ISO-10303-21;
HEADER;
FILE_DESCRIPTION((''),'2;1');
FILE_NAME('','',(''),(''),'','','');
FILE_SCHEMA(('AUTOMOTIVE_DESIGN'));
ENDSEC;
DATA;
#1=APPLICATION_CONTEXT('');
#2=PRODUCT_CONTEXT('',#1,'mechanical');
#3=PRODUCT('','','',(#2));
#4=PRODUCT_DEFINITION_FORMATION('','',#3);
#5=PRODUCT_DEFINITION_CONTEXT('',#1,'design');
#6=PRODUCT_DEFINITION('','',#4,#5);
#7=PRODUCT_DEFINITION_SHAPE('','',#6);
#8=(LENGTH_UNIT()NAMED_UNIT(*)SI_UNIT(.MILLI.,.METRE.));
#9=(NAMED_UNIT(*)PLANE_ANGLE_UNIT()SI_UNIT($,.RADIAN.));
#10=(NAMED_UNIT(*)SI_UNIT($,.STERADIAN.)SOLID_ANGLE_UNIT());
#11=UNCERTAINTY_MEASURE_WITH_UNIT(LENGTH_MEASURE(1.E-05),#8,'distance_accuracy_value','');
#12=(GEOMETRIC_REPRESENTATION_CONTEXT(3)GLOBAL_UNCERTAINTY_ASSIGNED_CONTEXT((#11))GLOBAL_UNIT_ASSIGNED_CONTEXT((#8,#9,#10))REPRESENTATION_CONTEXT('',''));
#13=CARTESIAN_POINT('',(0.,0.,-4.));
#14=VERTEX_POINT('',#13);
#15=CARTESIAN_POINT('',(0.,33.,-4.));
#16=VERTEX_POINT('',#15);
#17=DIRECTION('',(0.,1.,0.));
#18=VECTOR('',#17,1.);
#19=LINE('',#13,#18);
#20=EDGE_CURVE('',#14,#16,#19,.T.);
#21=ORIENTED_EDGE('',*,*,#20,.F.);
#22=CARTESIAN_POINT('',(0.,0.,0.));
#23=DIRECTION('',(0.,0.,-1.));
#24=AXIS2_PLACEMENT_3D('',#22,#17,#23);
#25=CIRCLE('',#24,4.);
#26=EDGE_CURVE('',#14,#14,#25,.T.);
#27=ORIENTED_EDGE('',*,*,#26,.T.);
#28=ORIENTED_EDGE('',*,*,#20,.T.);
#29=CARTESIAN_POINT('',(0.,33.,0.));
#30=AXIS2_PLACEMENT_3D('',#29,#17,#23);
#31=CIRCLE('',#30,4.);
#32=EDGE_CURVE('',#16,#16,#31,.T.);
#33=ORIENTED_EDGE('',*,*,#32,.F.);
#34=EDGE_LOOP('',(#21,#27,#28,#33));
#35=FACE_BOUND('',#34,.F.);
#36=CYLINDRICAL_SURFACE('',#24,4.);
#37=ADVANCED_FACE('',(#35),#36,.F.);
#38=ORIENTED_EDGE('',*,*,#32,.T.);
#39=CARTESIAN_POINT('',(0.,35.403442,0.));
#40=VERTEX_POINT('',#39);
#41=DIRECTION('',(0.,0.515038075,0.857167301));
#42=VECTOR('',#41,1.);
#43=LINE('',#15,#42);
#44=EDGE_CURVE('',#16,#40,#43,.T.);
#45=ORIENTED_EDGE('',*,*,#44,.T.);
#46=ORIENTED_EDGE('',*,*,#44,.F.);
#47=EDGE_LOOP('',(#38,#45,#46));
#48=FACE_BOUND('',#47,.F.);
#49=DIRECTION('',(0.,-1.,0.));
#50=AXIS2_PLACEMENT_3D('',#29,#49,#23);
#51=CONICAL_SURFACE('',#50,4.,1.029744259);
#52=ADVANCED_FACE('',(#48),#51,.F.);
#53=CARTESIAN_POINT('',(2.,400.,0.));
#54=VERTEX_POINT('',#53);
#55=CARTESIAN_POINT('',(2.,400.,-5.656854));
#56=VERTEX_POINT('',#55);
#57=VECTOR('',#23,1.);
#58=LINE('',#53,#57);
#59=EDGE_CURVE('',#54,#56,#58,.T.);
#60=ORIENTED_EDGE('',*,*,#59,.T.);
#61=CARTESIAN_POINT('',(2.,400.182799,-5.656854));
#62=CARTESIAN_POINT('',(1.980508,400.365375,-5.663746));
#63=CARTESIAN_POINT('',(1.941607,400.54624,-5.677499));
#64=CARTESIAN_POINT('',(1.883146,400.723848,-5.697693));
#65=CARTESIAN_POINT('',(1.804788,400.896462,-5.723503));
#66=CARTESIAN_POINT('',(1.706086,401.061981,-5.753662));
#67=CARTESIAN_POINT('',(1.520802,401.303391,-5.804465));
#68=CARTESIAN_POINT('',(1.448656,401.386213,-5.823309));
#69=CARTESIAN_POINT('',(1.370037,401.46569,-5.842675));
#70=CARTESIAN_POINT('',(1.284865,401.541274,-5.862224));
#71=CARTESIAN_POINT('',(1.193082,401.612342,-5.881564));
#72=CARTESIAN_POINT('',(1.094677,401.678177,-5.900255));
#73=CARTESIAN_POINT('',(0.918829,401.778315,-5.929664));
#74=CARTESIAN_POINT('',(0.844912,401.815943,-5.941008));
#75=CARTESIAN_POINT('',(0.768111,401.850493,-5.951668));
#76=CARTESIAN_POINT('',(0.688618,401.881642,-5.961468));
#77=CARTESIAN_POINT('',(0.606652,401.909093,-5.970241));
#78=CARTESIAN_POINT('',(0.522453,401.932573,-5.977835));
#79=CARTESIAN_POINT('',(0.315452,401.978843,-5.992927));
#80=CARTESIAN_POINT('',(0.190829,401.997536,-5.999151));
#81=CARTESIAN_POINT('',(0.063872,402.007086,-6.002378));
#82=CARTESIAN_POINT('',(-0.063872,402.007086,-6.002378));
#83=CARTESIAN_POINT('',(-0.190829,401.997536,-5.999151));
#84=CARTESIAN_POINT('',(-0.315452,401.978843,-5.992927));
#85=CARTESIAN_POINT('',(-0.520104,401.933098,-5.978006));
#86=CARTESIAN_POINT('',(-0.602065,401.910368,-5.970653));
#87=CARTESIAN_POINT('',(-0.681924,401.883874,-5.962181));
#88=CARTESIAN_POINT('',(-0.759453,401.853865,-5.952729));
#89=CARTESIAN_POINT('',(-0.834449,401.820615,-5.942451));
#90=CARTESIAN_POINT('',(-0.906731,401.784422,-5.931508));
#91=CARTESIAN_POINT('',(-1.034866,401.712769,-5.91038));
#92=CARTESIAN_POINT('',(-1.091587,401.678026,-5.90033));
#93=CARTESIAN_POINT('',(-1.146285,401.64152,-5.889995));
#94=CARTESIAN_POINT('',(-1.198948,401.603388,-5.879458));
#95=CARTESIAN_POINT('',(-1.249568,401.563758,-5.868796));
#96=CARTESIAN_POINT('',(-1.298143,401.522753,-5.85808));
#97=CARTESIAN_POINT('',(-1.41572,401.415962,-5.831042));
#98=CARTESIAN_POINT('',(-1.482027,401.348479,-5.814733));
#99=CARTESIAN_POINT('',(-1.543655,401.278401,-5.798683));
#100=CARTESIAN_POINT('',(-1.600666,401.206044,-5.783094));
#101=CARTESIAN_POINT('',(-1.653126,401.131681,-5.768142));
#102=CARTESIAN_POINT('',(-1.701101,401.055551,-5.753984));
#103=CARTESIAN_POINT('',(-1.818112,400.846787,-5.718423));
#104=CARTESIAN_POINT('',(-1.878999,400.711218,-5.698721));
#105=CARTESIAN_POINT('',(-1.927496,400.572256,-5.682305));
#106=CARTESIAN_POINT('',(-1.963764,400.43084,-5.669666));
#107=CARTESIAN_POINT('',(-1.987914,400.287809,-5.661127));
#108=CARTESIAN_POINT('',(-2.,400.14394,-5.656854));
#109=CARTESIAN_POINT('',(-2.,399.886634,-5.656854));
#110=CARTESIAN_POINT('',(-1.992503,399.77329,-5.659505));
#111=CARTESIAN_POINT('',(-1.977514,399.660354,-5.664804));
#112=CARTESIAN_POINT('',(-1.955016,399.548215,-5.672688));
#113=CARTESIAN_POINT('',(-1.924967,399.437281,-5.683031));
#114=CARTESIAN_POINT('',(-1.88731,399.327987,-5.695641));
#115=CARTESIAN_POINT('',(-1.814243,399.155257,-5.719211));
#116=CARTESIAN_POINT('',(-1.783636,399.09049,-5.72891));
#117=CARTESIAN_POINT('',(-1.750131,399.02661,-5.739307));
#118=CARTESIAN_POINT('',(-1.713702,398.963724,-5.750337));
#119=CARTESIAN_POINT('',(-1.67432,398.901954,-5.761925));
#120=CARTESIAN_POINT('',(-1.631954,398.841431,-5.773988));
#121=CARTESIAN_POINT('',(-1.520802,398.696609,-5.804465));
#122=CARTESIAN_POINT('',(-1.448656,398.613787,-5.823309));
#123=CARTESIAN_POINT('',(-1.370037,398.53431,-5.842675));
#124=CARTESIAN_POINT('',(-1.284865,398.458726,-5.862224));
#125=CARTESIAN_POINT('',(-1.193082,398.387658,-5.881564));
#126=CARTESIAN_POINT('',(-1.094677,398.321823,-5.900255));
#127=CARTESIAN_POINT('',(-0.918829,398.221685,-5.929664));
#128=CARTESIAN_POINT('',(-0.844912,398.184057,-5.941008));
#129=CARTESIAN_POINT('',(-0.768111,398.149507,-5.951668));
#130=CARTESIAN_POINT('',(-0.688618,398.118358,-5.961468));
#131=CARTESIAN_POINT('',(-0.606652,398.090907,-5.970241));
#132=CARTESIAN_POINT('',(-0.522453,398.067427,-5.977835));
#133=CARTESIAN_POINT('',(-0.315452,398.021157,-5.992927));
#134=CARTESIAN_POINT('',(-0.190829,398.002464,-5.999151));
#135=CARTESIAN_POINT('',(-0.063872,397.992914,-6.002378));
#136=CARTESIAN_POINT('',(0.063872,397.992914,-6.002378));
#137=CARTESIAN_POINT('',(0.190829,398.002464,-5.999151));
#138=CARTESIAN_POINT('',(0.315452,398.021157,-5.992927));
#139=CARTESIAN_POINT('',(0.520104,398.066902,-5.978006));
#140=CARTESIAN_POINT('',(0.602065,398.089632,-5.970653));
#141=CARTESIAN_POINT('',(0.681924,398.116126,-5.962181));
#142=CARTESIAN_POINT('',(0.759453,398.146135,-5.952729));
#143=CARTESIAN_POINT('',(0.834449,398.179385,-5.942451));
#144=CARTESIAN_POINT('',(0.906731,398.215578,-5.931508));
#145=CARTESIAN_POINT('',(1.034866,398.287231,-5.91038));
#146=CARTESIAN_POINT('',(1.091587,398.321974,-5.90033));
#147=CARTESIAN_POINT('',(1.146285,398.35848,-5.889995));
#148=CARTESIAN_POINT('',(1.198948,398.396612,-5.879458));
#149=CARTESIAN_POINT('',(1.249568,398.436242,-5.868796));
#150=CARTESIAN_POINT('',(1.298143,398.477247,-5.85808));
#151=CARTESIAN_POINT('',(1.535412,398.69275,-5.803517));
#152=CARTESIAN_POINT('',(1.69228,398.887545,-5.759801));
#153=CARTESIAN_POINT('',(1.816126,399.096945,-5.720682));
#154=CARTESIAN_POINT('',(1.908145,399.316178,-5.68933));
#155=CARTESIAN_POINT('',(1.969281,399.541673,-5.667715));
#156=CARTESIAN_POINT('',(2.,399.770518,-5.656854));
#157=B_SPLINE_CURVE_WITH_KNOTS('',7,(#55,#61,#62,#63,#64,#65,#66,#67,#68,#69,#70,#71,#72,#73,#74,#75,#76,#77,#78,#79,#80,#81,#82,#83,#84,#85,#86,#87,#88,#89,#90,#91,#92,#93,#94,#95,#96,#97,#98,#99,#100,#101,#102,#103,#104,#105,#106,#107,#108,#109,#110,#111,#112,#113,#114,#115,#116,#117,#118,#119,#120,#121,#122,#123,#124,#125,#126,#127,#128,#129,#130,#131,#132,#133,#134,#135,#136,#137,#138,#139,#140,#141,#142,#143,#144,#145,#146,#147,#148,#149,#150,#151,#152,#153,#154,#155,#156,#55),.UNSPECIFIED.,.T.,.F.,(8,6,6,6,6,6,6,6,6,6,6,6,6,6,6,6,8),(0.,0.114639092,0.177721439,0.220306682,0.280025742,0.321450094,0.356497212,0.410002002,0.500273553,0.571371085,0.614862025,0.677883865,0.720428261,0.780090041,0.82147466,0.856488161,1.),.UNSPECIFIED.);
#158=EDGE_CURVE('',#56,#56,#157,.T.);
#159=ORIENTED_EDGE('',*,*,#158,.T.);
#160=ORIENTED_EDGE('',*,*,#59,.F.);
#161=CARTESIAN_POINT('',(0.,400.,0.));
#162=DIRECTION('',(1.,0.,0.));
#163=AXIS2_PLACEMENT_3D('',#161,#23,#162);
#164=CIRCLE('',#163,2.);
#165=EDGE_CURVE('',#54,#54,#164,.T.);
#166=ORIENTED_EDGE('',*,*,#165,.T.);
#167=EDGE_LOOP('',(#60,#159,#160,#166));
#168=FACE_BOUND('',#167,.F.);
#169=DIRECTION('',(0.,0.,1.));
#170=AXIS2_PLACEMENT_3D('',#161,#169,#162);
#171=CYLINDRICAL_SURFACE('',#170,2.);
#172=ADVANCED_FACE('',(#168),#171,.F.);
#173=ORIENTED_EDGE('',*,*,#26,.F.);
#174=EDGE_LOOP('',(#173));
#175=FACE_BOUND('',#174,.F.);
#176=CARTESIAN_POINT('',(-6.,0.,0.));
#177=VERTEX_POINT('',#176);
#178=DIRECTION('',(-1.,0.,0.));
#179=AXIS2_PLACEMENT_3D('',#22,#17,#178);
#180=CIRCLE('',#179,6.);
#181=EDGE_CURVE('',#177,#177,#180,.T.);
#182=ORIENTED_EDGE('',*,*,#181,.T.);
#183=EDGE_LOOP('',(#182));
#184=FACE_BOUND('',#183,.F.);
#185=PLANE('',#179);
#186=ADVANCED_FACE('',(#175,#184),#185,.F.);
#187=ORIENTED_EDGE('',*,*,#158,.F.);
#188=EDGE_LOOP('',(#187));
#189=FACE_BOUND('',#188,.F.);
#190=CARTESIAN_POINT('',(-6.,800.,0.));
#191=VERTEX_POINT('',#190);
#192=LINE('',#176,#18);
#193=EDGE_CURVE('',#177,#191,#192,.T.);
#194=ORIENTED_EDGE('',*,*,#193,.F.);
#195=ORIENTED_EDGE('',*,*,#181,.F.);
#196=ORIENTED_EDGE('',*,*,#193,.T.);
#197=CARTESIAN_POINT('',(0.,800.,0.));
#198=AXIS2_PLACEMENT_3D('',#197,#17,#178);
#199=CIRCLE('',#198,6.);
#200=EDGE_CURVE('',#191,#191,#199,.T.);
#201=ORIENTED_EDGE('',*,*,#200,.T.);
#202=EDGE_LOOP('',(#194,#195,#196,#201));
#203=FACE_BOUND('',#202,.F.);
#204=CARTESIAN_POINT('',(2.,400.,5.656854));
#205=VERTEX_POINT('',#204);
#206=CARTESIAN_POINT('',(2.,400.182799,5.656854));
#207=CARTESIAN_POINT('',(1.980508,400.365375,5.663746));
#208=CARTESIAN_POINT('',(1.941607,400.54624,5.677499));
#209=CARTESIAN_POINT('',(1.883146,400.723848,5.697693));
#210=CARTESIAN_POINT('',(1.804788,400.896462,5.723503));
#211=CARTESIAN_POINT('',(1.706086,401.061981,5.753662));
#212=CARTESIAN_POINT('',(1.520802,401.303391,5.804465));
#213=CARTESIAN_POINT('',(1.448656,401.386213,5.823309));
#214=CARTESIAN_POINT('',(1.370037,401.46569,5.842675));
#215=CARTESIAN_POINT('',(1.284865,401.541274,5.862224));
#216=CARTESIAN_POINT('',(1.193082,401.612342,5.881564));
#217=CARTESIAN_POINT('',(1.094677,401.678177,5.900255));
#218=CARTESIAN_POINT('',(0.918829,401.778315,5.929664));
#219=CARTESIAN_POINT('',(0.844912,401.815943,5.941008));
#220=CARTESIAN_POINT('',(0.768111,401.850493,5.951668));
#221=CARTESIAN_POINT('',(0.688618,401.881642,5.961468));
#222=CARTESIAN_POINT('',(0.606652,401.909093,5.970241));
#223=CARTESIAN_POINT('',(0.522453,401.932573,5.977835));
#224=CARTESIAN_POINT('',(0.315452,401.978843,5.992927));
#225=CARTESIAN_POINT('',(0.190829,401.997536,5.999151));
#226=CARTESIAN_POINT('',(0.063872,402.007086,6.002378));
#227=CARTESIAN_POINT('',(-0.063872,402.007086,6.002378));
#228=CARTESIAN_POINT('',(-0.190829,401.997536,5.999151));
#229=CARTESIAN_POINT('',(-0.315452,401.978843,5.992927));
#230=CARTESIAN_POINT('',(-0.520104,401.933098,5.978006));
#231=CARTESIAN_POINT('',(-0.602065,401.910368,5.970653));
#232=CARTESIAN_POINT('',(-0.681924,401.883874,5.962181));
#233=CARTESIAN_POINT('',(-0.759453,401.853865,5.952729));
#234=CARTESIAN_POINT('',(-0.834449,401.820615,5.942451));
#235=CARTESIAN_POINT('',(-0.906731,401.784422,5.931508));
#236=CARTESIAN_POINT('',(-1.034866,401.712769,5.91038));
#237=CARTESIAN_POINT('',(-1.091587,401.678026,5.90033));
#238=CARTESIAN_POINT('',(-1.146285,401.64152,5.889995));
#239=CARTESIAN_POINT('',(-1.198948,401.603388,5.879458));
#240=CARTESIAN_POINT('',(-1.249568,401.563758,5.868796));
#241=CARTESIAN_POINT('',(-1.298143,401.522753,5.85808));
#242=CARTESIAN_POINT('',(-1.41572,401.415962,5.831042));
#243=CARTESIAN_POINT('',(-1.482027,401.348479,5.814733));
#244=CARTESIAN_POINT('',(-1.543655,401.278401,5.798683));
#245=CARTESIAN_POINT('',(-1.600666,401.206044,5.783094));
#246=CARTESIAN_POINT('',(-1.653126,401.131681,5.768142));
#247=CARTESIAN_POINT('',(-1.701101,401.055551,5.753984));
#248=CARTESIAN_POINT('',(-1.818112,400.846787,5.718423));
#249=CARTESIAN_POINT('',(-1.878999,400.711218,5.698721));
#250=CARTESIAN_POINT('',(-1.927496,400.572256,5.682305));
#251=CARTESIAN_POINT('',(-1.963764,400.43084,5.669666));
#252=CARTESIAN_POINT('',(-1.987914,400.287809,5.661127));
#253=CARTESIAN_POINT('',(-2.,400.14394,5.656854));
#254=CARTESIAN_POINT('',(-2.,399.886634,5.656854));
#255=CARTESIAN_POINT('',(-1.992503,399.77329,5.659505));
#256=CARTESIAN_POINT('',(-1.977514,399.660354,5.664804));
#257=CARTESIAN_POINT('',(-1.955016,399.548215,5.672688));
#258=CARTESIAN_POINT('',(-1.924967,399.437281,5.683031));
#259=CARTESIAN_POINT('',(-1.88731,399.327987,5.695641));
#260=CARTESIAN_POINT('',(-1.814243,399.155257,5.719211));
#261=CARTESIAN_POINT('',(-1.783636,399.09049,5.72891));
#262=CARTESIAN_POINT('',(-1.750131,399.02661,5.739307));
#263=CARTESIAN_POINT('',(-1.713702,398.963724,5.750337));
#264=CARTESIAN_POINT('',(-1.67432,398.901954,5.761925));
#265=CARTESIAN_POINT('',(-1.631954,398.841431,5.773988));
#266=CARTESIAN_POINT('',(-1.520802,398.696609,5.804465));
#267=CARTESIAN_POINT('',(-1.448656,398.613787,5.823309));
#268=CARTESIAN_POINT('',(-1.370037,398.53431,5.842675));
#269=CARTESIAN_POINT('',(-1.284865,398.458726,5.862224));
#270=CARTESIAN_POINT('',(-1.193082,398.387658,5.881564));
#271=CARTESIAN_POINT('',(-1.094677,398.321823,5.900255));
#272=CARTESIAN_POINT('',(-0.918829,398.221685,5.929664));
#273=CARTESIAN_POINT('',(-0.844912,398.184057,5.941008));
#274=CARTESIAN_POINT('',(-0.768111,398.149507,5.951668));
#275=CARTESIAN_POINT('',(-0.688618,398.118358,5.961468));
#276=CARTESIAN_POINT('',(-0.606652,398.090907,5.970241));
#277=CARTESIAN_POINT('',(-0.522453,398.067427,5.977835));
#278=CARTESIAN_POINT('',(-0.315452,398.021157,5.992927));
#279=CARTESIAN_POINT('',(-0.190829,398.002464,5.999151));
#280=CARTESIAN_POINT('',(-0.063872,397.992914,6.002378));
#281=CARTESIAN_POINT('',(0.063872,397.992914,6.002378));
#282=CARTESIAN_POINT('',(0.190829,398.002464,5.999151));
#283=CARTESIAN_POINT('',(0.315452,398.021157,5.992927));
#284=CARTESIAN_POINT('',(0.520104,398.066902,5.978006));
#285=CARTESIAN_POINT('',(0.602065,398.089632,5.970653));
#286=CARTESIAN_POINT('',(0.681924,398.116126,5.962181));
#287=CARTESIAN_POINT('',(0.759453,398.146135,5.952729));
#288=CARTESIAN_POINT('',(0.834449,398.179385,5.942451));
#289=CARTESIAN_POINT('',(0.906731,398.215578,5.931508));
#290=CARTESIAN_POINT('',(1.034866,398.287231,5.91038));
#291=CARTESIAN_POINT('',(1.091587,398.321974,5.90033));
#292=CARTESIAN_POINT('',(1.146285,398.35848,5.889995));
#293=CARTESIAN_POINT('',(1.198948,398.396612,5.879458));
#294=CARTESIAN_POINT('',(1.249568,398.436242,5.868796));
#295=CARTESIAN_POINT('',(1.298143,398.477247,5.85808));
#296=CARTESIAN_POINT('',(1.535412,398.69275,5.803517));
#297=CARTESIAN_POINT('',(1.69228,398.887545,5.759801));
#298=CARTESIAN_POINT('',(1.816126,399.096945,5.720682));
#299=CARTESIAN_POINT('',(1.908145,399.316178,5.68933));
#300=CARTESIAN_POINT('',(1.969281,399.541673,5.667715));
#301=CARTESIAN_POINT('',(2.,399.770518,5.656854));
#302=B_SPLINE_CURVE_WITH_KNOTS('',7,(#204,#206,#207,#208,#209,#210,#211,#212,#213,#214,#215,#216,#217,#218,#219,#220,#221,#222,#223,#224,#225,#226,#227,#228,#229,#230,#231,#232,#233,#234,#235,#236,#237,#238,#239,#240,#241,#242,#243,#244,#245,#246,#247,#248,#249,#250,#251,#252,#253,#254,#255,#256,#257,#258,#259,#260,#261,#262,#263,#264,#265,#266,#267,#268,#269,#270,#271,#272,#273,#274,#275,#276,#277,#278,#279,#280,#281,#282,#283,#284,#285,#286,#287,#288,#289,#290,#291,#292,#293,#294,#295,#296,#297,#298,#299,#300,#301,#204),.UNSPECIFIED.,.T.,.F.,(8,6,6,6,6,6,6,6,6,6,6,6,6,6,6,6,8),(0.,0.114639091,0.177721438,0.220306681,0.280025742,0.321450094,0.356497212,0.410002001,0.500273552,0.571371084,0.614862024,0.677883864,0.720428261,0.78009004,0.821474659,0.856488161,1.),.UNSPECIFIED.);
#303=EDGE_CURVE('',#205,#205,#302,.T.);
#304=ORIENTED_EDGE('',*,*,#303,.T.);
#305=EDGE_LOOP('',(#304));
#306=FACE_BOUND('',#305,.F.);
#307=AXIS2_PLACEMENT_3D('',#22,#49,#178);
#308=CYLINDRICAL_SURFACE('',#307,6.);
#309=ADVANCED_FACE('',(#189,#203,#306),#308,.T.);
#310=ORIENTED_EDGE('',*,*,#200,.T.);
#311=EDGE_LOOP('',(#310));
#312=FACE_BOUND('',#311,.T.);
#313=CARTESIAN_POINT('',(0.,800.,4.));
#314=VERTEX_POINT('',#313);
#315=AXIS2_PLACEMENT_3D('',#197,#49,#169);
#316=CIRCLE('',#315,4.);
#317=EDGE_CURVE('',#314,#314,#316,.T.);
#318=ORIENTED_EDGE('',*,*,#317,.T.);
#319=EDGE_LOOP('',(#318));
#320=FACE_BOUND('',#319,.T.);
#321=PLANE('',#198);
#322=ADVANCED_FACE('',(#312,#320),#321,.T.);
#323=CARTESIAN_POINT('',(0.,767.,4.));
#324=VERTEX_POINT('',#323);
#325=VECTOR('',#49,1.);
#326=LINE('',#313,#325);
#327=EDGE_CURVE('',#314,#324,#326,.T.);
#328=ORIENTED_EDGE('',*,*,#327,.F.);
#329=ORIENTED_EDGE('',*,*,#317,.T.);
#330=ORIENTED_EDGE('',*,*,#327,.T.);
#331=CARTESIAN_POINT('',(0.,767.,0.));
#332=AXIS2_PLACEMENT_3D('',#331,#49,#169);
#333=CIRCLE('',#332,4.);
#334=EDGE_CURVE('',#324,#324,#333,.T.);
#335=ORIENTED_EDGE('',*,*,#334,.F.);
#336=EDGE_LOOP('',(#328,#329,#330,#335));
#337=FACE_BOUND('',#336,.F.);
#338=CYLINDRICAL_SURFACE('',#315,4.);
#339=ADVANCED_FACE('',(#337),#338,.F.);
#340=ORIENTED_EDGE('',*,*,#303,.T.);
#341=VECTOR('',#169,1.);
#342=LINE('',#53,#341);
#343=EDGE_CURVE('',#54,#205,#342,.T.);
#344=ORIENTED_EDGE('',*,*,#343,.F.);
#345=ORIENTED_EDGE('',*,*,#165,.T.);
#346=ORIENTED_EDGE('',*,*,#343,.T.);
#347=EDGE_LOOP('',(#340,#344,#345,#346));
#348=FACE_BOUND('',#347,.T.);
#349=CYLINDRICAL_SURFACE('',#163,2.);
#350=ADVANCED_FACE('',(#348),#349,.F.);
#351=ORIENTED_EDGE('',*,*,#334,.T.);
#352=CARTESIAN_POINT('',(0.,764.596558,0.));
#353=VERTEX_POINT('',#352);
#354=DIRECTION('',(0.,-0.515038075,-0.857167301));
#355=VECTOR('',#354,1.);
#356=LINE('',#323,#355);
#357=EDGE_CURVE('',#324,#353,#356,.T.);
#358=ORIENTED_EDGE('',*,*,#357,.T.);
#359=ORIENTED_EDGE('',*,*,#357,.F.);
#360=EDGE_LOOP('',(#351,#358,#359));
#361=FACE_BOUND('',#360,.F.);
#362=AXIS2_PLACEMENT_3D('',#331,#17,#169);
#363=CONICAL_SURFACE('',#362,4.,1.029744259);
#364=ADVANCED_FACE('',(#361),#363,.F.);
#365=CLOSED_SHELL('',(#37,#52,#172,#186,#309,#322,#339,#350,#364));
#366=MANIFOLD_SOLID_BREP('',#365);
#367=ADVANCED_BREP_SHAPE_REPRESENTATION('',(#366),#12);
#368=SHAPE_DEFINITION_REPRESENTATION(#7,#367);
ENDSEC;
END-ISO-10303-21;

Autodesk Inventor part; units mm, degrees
ref_plane "YZ Plane" through (0, 0, 0) normal (1, 0, 0) x (0, 1, 0)
ref_plane "XZ Plane" through (0, 0, 0) normal (0, 1, 0) x (-1, 0, 0)
ref_plane "XY Plane" through (0, 0, 0) normal (0, 0, 1) x (1, 0, 0)
sketch "Sketch1" plane through (0, 0, 0) normal (0, 1, 0) x (-1, 0, 0)
  circle A0 centre (0, 0) radius 6
  dimension "d0" = 12
extrude "Extrusion1" add sketch "Sketch1" along normal blind 800
sketch "Sketch2" plane through (0, 800, 0) normal (0, 1, 0) x (1, 0, 0)
  circle A0 centre (0, 0) radius 6 projected
hole "Hole1" at (0, 800, 0) direction (0, -1, 0) diameter 8 depth 33 tip angle 118
sketch "Sketch3" plane through (0, 0, 0) normal (0, -1, 0) x (1, 0, 0)
  circle A0 centre (0, 0) radius 6 projected
hole "Hole2" at (0, 0, 0) direction (0, 1, 0) diameter 8 depth 33 tip angle 118
sketch "Sketch5" plane through (0, 0, 0) normal (0, 0, 1) x (1, 0, 0)
  line L0 (-6, 0) -> (-6, 800) projected
  line L1 (6, 0) -> (6, 800) projected
  line L2 (-4, 800) -> (4, 800) projected
  line L3 (4, 0) -> (-4, 0) projected
  line L4 (0, 0) -> (0, 800)
  circle A0 centre (0, 400) radius 2
  dimension "d22" = 4
extrude "Extrusion3" cut sketch "Sketch5" against normal through all both and the other way through all
thread "Thread2" size "M4x0.7" class "6H" standard "ANSI Metric M Profile" full length
properties part number "lower arm 800"
